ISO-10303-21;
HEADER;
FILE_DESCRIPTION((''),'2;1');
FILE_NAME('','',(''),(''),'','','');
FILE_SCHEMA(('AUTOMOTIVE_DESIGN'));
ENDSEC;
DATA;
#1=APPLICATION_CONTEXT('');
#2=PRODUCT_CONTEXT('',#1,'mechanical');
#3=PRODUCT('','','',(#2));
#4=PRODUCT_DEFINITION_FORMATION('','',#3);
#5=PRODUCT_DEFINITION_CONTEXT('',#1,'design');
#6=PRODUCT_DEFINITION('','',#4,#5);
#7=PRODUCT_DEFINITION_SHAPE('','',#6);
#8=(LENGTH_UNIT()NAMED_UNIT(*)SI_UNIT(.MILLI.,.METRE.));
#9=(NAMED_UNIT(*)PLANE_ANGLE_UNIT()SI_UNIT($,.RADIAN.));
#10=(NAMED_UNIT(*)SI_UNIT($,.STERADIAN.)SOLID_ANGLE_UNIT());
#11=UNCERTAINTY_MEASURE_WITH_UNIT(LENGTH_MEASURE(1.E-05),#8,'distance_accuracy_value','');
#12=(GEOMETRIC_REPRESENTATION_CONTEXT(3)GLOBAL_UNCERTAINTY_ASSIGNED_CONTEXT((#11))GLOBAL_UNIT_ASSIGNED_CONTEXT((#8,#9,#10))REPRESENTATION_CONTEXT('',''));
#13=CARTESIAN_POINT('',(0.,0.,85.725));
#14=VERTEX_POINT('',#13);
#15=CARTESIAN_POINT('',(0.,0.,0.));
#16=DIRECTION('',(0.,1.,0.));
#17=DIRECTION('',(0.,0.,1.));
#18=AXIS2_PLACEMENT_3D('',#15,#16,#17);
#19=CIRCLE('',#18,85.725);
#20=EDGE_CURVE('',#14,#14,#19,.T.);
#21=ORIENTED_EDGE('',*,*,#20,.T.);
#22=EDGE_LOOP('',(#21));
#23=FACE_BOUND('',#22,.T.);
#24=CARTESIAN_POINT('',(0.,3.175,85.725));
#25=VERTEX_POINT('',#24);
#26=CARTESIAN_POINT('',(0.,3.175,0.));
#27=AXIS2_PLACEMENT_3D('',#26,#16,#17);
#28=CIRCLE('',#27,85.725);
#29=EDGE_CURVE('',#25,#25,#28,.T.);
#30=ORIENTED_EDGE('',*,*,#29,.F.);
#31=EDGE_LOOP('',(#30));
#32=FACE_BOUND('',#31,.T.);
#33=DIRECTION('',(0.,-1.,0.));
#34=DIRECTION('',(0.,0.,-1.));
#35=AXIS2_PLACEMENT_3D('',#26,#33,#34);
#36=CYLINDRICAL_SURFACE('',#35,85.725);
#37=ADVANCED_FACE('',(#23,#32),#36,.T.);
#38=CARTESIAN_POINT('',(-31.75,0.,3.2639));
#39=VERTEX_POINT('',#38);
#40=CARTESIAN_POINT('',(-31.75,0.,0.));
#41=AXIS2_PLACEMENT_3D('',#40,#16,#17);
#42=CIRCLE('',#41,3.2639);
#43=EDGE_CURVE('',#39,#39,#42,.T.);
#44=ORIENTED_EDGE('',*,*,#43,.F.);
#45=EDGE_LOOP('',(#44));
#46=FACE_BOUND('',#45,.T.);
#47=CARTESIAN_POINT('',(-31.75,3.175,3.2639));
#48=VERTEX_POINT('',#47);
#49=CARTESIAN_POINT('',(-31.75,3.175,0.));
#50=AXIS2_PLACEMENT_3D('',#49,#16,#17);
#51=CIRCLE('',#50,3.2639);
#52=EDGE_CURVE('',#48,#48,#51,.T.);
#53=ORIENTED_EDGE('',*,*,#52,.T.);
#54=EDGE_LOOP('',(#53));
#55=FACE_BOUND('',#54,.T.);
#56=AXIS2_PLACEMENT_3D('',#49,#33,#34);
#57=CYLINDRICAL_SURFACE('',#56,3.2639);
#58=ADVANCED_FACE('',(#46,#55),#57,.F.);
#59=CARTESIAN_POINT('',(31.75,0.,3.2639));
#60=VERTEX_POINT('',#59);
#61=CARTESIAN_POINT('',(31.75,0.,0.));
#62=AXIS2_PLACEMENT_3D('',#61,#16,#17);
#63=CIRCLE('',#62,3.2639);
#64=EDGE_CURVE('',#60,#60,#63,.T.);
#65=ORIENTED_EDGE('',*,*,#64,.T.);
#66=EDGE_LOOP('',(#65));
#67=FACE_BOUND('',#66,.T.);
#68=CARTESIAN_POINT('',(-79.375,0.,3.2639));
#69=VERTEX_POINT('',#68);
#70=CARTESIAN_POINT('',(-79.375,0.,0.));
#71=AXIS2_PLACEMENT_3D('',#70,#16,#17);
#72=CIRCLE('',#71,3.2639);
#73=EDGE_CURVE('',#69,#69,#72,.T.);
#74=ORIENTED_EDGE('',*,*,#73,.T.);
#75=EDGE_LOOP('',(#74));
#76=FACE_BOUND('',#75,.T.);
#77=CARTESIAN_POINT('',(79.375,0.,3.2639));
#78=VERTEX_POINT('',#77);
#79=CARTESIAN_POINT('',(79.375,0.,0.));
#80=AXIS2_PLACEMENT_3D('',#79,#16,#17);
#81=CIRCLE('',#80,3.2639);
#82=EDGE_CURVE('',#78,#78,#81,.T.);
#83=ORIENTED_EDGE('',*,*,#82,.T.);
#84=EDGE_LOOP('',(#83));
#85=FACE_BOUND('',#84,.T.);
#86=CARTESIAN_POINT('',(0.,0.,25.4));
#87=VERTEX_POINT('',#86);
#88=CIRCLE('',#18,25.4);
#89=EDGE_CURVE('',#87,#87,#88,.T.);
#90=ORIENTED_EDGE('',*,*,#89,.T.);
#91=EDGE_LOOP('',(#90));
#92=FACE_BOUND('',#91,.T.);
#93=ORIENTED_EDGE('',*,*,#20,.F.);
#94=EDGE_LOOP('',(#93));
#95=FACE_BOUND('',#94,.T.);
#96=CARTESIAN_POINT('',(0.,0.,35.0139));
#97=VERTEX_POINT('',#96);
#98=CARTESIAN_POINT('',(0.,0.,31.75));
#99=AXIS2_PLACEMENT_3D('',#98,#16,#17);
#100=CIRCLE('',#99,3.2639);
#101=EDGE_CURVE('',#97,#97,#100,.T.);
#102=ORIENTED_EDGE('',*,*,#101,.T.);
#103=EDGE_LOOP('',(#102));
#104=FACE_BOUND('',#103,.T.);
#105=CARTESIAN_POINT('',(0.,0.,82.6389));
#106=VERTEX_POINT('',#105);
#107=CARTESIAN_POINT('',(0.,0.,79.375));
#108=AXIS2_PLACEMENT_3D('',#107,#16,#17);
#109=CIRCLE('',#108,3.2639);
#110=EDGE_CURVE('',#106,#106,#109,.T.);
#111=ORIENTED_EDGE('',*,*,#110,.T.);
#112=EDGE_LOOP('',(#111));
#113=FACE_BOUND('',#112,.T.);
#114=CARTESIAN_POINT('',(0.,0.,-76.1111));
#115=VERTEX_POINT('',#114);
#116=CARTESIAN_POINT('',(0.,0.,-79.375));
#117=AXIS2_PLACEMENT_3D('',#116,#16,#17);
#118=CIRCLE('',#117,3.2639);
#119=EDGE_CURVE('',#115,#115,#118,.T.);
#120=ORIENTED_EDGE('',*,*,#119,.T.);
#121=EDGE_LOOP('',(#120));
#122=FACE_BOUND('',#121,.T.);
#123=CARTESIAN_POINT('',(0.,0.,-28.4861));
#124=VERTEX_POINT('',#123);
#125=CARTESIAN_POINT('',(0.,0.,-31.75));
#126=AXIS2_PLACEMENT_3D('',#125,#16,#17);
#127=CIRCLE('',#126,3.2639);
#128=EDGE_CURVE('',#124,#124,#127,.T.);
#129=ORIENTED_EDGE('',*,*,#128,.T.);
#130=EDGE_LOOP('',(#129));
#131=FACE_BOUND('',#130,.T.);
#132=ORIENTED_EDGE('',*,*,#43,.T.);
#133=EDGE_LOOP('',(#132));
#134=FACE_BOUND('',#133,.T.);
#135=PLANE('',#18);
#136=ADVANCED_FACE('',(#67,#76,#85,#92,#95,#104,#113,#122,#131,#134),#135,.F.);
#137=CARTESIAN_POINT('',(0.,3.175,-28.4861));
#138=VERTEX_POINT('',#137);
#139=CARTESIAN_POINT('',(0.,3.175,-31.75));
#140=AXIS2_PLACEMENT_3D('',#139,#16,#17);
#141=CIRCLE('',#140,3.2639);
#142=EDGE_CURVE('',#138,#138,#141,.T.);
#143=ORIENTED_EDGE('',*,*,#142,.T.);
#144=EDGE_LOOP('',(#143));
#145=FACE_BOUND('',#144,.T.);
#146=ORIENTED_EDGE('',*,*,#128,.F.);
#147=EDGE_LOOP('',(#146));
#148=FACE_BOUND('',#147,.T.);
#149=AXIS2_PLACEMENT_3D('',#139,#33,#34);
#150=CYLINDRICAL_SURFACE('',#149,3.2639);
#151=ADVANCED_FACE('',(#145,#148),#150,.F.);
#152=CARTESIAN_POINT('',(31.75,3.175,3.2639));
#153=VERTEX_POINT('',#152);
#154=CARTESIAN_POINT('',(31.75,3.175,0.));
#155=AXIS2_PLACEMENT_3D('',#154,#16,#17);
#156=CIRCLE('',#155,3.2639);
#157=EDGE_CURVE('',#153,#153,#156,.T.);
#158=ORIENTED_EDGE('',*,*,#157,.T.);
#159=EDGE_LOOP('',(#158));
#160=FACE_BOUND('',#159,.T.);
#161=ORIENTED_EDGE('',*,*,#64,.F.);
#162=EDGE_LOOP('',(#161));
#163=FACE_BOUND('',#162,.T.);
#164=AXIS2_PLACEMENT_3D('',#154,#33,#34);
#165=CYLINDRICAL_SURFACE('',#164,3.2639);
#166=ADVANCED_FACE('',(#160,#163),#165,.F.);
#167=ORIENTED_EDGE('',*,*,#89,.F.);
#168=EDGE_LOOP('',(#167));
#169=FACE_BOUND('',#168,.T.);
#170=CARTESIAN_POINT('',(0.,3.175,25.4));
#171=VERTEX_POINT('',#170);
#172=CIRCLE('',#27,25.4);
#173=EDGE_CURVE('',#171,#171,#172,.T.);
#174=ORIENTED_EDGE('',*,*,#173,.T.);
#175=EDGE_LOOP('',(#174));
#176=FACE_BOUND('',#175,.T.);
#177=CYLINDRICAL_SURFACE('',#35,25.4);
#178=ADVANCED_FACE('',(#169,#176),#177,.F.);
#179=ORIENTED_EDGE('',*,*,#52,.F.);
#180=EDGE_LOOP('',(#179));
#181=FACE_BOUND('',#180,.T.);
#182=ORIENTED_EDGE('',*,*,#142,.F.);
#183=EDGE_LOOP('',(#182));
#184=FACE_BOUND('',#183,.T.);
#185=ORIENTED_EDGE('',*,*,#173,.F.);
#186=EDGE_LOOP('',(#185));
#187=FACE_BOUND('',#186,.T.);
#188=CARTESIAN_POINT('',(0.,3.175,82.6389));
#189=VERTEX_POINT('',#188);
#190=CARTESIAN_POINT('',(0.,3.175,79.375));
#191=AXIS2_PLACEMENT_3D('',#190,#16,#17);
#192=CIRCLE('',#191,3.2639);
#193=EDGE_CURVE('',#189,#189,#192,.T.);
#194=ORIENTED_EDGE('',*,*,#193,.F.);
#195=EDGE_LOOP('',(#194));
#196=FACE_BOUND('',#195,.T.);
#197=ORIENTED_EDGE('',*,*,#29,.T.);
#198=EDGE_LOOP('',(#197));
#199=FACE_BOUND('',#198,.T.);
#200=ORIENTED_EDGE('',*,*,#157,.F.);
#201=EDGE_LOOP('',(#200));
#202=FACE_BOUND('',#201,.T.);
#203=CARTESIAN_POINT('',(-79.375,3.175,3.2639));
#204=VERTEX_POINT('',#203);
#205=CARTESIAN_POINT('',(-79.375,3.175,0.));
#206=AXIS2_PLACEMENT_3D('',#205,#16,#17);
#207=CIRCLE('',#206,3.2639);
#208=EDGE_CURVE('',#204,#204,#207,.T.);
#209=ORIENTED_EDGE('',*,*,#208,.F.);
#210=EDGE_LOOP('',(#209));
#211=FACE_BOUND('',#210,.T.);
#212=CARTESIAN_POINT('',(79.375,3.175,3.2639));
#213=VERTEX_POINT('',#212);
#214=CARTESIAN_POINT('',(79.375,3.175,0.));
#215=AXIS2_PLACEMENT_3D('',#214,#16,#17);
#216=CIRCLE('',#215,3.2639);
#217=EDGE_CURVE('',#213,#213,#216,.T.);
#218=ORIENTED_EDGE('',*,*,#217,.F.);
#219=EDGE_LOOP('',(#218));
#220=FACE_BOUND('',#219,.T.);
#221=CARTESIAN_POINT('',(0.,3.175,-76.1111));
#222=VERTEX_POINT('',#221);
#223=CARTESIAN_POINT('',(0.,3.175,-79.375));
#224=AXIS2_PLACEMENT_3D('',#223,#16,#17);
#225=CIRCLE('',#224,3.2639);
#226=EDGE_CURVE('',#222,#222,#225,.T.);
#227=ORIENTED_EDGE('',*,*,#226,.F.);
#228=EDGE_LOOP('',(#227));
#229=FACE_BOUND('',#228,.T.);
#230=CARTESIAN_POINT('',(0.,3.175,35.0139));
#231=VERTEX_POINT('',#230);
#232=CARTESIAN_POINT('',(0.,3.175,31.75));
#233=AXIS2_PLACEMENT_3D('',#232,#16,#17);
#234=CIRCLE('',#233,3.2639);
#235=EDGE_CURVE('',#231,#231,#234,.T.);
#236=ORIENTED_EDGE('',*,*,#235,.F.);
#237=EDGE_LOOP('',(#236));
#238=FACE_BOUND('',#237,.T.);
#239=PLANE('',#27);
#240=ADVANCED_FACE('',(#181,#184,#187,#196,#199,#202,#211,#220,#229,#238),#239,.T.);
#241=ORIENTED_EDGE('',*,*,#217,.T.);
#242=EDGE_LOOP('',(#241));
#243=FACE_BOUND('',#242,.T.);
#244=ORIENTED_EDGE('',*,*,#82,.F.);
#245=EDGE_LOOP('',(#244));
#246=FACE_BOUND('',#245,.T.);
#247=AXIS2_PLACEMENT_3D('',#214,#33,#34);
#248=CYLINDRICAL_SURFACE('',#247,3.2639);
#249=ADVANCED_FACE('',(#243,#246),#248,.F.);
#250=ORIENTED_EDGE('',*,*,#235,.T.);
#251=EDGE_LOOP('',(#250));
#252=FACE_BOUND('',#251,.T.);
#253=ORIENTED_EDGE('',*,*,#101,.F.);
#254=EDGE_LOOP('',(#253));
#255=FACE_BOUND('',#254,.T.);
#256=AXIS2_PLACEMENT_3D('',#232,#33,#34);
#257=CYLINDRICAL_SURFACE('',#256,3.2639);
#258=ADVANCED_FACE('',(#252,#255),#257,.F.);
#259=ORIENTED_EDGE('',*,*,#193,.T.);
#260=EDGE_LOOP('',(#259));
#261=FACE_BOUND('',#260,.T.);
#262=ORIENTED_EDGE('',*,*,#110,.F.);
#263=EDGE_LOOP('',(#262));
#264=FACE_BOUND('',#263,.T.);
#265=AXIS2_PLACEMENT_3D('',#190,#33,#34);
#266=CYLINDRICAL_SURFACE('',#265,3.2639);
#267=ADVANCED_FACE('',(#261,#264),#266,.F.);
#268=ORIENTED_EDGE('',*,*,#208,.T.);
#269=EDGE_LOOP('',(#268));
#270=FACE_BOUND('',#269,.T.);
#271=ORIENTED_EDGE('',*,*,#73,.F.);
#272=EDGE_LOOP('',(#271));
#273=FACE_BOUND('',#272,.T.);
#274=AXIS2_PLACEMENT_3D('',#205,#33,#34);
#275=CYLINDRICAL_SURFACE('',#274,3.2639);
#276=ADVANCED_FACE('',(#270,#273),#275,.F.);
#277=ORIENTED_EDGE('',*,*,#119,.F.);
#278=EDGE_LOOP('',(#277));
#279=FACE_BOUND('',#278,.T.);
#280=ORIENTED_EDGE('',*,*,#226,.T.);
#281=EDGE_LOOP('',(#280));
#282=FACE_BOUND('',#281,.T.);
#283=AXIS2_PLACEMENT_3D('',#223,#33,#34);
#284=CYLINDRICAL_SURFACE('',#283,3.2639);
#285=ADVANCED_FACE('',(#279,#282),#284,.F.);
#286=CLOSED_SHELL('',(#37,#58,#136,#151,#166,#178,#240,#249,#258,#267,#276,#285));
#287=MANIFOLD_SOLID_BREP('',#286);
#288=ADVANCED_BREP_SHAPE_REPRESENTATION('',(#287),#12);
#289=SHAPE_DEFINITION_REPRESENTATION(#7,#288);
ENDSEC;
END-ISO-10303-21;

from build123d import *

# Parameters (mm, degrees)
SKETCH1_R           = 85.725
SKETCH1_R_2         = 25.4
SKETCH1_R_3         = 3.2639
BOSS_EXTRUDE1_DEPTH = 3.175


with BuildPart() as part:
    # Sketch1 → Boss-Extrude1 (new body)
    with BuildSketch(Plane(origin=(0, 0, 0), x_dir=(1, 0, 0), z_dir=(0, 1, 0))):
        Circle(SKETCH1_R)
        Circle(SKETCH1_R_2, mode=Mode.SUBTRACT)
        with Locations((0, 79.375)):
            Circle(SKETCH1_R_3, mode=Mode.SUBTRACT)
        with Locations((79.375, 0)):
            Circle(SKETCH1_R_3, mode=Mode.SUBTRACT)
        with Locations((0, -79.375)):
            Circle(SKETCH1_R_3, mode=Mode.SUBTRACT)
        with Locations((-79.375, 0)):
            Circle(SKETCH1_R_3, mode=Mode.SUBTRACT)
        with Locations((0, 31.75)):
            Circle(SKETCH1_R_3, mode=Mode.SUBTRACT)
        with Locations((31.75, 0)):
            Circle(SKETCH1_R_3, mode=Mode.SUBTRACT)
        with Locations((0, -31.75)):
            Circle(SKETCH1_R_3, mode=Mode.SUBTRACT)
        with Locations((-31.75, 0)):
            Circle(SKETCH1_R_3, mode=Mode.SUBTRACT)
    extrude(amount=BOSS_EXTRUDE1_DEPTH)


solid = part.part
